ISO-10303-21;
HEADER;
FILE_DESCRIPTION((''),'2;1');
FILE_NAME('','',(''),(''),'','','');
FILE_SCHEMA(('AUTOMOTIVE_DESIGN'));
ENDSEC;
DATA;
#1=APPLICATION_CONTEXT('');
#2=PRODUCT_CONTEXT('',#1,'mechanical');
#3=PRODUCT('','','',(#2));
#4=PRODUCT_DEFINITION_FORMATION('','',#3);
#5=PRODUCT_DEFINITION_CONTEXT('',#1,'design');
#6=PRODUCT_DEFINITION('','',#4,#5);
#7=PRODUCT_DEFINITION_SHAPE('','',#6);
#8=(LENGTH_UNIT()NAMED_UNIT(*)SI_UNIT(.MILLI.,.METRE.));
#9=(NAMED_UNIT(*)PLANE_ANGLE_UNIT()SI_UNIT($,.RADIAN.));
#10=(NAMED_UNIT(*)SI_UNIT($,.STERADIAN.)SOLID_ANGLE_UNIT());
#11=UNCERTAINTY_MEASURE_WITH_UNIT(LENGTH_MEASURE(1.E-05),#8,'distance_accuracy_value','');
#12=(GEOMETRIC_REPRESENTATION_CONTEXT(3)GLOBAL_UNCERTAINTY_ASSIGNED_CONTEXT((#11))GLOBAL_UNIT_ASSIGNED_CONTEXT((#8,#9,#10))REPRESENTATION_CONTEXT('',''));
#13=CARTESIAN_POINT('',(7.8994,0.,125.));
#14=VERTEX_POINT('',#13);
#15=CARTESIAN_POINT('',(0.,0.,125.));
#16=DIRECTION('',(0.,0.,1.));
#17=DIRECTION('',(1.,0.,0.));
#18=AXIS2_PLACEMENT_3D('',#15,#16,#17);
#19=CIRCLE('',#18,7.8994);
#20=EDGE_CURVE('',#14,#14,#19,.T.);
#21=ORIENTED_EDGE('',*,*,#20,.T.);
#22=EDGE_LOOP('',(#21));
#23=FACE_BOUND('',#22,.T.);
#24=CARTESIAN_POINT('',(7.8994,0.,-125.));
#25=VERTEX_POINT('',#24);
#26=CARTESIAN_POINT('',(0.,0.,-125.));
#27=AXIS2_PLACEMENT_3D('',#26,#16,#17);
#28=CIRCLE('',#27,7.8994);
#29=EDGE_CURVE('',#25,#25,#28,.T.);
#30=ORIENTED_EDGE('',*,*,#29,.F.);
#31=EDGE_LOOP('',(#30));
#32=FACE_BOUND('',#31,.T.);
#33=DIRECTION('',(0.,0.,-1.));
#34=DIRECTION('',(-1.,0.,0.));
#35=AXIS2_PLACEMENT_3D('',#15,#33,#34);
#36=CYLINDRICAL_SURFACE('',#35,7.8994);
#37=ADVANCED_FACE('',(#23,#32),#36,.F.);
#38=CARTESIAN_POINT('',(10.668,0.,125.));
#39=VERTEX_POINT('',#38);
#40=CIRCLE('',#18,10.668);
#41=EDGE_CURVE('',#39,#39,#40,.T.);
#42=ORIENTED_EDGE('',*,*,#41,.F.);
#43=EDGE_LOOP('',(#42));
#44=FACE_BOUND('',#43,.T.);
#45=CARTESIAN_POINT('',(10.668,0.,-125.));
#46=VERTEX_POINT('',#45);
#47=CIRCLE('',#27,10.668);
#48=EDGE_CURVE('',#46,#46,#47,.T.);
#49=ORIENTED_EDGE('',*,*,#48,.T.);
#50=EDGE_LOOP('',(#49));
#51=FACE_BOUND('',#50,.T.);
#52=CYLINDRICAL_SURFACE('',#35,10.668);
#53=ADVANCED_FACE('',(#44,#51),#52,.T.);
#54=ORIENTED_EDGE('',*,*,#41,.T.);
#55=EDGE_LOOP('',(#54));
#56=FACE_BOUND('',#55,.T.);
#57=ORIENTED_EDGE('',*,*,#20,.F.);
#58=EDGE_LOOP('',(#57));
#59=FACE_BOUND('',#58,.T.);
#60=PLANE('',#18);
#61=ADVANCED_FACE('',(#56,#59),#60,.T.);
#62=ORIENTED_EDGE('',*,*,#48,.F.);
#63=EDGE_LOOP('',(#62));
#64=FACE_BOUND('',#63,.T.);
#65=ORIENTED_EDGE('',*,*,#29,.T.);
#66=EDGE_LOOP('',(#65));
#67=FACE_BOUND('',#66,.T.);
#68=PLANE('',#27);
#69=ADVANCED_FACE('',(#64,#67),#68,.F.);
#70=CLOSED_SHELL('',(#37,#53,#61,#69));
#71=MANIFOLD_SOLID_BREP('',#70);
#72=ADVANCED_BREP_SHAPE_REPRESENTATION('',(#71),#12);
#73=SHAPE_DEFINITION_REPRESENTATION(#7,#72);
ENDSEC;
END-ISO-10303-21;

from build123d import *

# Parameters (mm, degrees)
SKETCH1_R           = 10.668
SKETCH1_R_2         = 7.8994
EXTRUDE_THIN1_DEPTH = 125


with BuildPart() as part:
    # Sketch1 → Extrude-Thin1 (new, symmetric)
    with BuildSketch(Plane.XY):
        Circle(SKETCH1_R)
        Circle(SKETCH1_R_2, mode=Mode.SUBTRACT)
    extrude(amount=EXTRUDE_THIN1_DEPTH, both=True)


solid = part.part
